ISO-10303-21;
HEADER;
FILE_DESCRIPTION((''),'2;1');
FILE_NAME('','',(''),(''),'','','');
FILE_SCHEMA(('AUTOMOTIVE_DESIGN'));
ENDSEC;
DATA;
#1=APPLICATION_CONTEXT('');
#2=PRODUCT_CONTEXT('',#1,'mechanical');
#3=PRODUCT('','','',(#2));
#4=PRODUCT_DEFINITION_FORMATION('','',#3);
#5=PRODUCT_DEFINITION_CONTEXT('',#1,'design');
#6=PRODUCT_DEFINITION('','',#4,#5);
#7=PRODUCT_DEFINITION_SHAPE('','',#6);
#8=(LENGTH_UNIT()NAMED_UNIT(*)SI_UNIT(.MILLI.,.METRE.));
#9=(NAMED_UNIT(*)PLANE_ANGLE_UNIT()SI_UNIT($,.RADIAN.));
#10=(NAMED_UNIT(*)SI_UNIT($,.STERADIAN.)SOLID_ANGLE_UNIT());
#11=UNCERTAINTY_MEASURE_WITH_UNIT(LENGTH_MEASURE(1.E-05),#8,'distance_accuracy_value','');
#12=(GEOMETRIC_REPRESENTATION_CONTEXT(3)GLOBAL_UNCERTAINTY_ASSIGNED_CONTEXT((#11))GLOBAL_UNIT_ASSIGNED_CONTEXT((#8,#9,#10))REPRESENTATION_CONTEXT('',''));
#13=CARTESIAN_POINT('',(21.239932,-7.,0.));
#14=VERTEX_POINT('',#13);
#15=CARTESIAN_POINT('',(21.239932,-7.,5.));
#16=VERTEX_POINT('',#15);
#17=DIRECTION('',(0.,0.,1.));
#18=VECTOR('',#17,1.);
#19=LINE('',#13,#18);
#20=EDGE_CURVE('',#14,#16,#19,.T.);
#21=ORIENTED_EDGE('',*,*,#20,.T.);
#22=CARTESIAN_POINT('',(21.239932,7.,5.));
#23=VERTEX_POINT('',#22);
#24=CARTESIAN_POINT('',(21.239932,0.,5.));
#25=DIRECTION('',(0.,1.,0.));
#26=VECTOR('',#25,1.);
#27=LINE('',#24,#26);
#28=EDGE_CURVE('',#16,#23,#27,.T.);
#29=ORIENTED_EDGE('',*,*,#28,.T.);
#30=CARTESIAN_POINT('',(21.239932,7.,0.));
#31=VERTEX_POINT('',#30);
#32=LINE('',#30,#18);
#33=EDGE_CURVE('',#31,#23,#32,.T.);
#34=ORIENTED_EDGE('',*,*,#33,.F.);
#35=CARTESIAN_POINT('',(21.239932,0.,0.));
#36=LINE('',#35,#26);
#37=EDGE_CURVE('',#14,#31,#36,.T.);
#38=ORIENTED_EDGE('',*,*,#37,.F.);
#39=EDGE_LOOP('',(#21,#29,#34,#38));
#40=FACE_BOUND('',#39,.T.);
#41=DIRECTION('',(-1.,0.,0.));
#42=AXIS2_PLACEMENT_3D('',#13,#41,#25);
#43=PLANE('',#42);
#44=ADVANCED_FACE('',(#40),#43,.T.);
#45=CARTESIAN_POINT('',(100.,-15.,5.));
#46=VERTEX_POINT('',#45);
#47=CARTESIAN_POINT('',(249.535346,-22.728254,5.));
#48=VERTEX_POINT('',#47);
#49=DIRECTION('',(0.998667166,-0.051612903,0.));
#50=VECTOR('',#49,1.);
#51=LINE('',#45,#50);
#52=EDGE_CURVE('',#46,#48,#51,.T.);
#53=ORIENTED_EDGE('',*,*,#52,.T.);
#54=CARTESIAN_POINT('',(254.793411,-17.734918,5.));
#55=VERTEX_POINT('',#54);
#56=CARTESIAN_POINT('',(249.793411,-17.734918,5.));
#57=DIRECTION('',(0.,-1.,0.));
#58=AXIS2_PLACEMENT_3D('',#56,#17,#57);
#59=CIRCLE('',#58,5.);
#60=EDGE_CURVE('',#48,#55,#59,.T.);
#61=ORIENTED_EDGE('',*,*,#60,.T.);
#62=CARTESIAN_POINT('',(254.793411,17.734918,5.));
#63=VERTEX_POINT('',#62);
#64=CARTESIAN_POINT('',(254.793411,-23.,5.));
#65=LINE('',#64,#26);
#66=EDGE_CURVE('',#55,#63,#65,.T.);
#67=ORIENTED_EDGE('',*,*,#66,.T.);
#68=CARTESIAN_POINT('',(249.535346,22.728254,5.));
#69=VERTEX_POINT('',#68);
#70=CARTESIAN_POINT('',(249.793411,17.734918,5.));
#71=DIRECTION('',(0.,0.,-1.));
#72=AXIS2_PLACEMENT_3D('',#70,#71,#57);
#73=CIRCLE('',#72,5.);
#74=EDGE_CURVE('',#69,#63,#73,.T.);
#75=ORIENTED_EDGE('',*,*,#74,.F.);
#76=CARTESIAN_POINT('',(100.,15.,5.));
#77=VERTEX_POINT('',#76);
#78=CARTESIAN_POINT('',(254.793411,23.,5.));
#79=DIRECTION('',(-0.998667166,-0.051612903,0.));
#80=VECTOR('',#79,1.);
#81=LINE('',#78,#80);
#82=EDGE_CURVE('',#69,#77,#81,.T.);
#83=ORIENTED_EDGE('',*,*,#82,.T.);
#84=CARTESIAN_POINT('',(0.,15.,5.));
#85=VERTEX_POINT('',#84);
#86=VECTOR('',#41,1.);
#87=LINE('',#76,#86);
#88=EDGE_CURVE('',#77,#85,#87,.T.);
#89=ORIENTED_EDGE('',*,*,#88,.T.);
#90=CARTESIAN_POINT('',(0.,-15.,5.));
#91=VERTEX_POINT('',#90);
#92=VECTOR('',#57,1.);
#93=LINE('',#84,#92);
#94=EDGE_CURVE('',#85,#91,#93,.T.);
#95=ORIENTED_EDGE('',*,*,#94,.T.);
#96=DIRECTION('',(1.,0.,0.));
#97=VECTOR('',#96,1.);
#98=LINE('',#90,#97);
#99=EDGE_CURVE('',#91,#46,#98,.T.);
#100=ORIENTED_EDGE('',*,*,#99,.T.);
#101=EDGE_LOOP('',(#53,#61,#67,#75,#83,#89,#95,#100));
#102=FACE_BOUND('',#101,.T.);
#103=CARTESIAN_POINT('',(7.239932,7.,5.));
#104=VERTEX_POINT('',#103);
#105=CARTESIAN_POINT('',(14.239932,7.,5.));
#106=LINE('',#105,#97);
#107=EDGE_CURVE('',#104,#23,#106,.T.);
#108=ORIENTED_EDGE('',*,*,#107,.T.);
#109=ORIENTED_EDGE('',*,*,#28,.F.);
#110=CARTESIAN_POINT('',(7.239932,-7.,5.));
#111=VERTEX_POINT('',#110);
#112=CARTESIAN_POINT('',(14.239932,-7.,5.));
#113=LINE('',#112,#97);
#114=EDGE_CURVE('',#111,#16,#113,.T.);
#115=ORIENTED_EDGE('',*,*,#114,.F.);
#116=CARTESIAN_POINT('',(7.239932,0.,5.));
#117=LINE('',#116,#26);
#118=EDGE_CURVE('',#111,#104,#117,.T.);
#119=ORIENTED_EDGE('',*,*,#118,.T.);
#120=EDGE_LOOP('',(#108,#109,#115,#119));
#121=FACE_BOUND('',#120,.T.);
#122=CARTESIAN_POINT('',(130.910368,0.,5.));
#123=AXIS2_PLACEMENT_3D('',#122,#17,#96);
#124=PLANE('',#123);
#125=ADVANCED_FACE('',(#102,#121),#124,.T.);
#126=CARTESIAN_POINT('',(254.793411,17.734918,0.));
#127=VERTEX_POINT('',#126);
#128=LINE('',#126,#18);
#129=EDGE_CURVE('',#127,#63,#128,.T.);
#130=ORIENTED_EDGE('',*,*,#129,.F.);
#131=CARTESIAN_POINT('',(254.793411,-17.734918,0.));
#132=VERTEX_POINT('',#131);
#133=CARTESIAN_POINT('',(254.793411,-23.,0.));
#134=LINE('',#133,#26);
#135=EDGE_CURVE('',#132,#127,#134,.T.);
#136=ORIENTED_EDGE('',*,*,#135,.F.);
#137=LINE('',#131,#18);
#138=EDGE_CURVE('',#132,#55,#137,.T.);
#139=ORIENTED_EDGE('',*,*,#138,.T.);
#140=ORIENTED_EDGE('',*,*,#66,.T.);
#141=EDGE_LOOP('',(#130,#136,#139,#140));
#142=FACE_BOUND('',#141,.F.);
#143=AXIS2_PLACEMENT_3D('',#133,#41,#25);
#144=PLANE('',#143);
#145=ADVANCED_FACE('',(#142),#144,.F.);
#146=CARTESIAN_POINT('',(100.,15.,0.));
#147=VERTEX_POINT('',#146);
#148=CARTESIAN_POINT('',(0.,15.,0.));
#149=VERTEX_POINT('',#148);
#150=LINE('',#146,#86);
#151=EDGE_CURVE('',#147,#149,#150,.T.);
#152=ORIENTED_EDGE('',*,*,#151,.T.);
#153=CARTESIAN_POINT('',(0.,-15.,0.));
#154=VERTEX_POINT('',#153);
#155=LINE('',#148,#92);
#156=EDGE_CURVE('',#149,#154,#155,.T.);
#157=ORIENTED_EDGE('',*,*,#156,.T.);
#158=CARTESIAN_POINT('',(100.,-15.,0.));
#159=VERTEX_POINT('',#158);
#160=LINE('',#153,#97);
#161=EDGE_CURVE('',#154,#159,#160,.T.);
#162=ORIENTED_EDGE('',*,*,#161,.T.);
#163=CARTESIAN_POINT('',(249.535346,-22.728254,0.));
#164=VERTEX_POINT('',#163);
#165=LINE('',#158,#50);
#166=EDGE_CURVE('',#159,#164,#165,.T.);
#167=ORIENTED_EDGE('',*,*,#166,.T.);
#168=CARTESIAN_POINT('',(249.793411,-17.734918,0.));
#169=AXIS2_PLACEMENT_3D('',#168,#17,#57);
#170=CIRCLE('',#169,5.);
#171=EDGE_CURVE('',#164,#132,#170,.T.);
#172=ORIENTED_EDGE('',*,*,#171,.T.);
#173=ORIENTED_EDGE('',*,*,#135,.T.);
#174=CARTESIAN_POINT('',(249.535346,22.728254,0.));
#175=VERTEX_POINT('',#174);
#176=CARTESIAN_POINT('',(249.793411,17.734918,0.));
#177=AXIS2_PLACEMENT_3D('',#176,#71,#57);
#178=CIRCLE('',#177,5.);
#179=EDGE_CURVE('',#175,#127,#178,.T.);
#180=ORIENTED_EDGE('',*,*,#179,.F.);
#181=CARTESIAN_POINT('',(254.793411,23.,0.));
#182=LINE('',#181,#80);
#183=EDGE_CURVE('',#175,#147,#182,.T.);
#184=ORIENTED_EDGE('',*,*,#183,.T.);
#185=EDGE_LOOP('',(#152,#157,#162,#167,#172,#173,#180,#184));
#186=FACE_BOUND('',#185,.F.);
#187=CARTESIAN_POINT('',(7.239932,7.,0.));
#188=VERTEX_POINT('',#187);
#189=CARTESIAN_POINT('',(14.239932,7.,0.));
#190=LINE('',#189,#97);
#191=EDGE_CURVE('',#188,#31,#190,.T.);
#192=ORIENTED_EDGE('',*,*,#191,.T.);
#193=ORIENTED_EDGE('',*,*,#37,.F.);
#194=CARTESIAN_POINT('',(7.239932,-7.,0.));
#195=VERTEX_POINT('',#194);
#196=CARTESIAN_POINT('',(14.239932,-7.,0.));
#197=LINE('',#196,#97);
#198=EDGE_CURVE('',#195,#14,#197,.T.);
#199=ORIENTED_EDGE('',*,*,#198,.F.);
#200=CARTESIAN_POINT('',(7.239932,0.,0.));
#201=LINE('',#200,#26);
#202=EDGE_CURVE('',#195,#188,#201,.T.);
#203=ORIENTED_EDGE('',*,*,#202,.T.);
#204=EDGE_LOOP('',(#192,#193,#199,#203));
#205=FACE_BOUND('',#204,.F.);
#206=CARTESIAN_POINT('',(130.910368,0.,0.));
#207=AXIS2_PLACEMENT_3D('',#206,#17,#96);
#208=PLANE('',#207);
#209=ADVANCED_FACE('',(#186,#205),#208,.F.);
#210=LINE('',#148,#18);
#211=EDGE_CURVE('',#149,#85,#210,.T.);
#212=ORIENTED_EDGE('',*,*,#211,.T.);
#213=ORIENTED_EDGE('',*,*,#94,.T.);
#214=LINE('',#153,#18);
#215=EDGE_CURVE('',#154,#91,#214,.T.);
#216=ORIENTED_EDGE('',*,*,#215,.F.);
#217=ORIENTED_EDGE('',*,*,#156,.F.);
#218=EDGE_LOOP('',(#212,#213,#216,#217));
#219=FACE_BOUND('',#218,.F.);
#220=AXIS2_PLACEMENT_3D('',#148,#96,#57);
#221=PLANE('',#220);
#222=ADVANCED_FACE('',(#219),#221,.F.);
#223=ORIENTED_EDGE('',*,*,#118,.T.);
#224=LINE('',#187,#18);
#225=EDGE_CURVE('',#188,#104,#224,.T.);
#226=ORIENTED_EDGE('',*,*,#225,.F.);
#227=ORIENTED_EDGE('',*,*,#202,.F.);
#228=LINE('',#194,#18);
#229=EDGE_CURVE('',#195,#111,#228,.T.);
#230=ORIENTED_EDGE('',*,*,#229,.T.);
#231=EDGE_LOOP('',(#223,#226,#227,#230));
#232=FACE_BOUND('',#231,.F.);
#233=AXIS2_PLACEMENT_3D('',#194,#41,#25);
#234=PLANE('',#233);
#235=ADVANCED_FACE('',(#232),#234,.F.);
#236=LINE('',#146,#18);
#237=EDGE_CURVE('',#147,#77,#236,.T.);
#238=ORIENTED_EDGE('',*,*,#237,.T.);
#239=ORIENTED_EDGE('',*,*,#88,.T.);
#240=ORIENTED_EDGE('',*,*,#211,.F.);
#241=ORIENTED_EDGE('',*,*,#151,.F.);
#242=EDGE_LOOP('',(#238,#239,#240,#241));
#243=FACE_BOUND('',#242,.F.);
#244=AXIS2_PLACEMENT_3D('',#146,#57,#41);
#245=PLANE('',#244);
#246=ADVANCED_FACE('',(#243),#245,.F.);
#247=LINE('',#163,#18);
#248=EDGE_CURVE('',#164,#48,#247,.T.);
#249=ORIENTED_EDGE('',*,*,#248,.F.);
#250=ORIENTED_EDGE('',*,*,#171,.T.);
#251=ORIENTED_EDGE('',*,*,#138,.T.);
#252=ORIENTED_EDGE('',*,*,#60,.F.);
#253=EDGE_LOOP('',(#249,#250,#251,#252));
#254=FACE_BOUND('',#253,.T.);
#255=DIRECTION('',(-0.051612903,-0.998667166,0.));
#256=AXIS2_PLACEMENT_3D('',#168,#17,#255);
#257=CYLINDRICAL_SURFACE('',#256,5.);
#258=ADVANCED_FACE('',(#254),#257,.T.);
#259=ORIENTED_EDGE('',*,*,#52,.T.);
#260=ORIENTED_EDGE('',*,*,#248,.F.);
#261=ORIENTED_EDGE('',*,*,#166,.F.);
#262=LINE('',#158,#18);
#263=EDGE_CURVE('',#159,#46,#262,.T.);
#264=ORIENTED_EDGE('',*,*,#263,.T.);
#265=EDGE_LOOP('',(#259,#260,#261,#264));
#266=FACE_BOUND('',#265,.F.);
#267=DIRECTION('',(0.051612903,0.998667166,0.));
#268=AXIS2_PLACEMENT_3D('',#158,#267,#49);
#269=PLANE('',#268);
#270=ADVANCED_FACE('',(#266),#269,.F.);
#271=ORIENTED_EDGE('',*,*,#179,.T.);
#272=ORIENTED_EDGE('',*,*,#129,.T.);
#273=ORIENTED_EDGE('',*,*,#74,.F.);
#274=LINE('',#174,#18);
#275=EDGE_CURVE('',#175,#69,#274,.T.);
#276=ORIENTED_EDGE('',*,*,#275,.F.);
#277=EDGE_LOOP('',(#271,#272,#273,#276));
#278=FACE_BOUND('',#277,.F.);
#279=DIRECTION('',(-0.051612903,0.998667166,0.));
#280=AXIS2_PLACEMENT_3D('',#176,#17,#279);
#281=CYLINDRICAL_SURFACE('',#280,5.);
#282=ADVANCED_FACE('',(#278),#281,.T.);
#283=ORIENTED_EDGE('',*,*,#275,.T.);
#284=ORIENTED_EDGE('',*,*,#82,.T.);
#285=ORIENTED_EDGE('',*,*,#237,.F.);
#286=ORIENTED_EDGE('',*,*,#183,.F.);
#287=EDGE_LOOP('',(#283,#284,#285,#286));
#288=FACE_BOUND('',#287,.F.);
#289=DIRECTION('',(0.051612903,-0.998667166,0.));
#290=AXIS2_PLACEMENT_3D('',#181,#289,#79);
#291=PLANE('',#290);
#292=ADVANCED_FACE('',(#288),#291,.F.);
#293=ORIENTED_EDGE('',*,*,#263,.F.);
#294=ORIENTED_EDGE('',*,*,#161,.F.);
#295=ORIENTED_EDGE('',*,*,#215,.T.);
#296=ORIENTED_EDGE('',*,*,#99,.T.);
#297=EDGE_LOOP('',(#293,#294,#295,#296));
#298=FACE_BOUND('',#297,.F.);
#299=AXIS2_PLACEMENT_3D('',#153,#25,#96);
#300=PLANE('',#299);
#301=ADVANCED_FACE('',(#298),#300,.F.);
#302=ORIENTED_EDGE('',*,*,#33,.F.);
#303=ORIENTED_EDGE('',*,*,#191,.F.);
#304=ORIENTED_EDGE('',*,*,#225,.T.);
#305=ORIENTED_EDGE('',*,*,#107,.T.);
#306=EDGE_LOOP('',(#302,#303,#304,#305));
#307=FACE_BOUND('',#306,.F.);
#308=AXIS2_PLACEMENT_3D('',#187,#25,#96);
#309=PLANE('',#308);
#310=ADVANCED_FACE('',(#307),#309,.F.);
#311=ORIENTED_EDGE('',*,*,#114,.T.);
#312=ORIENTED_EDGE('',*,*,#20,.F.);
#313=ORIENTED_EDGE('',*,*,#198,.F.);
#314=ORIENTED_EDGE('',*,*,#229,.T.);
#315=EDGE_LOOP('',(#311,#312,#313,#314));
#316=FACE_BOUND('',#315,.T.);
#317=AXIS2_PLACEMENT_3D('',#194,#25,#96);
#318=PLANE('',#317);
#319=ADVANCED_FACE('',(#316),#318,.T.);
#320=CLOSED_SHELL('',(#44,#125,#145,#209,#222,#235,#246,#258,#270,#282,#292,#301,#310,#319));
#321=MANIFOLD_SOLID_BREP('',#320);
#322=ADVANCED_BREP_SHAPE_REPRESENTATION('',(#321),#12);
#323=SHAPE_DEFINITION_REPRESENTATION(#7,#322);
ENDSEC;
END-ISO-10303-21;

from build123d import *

# Parameters (mm, degrees)
F1_DEPTH = 5
F2_W     = 14
F2_H     = 14
F3_DEPTH = 5
F4_R     = 5


with BuildPart() as f1:
    # F0 (on Top) → F1 (new body)
    with BuildSketch(Plane.XY):
        Polygon((0, 15), (0, 0), (0, -15), (100, -15), (254.793411, -23), (254.793411, 0), (254.793411, 23), (100, 15), align=None)
    extrude(amount=F1_DEPTH)

    # F2 (on Top) → F3 (cut, through all)
    with BuildSketch(Plane.XY):
        with Locations((14.239932, 0)):
            Rectangle(F2_W, F2_H)
    extrude(amount=F3_DEPTH, mode=Mode.SUBTRACT)

    # F4
    f4_edges = [f1.edges().sort_by_distance(p)[0] for p in [
        (254.793411, -23, 2.5),
        (254.793411, 23, 2.5),
    ]]
    fillet(f4_edges, radius=F4_R)


solid = f1.part
